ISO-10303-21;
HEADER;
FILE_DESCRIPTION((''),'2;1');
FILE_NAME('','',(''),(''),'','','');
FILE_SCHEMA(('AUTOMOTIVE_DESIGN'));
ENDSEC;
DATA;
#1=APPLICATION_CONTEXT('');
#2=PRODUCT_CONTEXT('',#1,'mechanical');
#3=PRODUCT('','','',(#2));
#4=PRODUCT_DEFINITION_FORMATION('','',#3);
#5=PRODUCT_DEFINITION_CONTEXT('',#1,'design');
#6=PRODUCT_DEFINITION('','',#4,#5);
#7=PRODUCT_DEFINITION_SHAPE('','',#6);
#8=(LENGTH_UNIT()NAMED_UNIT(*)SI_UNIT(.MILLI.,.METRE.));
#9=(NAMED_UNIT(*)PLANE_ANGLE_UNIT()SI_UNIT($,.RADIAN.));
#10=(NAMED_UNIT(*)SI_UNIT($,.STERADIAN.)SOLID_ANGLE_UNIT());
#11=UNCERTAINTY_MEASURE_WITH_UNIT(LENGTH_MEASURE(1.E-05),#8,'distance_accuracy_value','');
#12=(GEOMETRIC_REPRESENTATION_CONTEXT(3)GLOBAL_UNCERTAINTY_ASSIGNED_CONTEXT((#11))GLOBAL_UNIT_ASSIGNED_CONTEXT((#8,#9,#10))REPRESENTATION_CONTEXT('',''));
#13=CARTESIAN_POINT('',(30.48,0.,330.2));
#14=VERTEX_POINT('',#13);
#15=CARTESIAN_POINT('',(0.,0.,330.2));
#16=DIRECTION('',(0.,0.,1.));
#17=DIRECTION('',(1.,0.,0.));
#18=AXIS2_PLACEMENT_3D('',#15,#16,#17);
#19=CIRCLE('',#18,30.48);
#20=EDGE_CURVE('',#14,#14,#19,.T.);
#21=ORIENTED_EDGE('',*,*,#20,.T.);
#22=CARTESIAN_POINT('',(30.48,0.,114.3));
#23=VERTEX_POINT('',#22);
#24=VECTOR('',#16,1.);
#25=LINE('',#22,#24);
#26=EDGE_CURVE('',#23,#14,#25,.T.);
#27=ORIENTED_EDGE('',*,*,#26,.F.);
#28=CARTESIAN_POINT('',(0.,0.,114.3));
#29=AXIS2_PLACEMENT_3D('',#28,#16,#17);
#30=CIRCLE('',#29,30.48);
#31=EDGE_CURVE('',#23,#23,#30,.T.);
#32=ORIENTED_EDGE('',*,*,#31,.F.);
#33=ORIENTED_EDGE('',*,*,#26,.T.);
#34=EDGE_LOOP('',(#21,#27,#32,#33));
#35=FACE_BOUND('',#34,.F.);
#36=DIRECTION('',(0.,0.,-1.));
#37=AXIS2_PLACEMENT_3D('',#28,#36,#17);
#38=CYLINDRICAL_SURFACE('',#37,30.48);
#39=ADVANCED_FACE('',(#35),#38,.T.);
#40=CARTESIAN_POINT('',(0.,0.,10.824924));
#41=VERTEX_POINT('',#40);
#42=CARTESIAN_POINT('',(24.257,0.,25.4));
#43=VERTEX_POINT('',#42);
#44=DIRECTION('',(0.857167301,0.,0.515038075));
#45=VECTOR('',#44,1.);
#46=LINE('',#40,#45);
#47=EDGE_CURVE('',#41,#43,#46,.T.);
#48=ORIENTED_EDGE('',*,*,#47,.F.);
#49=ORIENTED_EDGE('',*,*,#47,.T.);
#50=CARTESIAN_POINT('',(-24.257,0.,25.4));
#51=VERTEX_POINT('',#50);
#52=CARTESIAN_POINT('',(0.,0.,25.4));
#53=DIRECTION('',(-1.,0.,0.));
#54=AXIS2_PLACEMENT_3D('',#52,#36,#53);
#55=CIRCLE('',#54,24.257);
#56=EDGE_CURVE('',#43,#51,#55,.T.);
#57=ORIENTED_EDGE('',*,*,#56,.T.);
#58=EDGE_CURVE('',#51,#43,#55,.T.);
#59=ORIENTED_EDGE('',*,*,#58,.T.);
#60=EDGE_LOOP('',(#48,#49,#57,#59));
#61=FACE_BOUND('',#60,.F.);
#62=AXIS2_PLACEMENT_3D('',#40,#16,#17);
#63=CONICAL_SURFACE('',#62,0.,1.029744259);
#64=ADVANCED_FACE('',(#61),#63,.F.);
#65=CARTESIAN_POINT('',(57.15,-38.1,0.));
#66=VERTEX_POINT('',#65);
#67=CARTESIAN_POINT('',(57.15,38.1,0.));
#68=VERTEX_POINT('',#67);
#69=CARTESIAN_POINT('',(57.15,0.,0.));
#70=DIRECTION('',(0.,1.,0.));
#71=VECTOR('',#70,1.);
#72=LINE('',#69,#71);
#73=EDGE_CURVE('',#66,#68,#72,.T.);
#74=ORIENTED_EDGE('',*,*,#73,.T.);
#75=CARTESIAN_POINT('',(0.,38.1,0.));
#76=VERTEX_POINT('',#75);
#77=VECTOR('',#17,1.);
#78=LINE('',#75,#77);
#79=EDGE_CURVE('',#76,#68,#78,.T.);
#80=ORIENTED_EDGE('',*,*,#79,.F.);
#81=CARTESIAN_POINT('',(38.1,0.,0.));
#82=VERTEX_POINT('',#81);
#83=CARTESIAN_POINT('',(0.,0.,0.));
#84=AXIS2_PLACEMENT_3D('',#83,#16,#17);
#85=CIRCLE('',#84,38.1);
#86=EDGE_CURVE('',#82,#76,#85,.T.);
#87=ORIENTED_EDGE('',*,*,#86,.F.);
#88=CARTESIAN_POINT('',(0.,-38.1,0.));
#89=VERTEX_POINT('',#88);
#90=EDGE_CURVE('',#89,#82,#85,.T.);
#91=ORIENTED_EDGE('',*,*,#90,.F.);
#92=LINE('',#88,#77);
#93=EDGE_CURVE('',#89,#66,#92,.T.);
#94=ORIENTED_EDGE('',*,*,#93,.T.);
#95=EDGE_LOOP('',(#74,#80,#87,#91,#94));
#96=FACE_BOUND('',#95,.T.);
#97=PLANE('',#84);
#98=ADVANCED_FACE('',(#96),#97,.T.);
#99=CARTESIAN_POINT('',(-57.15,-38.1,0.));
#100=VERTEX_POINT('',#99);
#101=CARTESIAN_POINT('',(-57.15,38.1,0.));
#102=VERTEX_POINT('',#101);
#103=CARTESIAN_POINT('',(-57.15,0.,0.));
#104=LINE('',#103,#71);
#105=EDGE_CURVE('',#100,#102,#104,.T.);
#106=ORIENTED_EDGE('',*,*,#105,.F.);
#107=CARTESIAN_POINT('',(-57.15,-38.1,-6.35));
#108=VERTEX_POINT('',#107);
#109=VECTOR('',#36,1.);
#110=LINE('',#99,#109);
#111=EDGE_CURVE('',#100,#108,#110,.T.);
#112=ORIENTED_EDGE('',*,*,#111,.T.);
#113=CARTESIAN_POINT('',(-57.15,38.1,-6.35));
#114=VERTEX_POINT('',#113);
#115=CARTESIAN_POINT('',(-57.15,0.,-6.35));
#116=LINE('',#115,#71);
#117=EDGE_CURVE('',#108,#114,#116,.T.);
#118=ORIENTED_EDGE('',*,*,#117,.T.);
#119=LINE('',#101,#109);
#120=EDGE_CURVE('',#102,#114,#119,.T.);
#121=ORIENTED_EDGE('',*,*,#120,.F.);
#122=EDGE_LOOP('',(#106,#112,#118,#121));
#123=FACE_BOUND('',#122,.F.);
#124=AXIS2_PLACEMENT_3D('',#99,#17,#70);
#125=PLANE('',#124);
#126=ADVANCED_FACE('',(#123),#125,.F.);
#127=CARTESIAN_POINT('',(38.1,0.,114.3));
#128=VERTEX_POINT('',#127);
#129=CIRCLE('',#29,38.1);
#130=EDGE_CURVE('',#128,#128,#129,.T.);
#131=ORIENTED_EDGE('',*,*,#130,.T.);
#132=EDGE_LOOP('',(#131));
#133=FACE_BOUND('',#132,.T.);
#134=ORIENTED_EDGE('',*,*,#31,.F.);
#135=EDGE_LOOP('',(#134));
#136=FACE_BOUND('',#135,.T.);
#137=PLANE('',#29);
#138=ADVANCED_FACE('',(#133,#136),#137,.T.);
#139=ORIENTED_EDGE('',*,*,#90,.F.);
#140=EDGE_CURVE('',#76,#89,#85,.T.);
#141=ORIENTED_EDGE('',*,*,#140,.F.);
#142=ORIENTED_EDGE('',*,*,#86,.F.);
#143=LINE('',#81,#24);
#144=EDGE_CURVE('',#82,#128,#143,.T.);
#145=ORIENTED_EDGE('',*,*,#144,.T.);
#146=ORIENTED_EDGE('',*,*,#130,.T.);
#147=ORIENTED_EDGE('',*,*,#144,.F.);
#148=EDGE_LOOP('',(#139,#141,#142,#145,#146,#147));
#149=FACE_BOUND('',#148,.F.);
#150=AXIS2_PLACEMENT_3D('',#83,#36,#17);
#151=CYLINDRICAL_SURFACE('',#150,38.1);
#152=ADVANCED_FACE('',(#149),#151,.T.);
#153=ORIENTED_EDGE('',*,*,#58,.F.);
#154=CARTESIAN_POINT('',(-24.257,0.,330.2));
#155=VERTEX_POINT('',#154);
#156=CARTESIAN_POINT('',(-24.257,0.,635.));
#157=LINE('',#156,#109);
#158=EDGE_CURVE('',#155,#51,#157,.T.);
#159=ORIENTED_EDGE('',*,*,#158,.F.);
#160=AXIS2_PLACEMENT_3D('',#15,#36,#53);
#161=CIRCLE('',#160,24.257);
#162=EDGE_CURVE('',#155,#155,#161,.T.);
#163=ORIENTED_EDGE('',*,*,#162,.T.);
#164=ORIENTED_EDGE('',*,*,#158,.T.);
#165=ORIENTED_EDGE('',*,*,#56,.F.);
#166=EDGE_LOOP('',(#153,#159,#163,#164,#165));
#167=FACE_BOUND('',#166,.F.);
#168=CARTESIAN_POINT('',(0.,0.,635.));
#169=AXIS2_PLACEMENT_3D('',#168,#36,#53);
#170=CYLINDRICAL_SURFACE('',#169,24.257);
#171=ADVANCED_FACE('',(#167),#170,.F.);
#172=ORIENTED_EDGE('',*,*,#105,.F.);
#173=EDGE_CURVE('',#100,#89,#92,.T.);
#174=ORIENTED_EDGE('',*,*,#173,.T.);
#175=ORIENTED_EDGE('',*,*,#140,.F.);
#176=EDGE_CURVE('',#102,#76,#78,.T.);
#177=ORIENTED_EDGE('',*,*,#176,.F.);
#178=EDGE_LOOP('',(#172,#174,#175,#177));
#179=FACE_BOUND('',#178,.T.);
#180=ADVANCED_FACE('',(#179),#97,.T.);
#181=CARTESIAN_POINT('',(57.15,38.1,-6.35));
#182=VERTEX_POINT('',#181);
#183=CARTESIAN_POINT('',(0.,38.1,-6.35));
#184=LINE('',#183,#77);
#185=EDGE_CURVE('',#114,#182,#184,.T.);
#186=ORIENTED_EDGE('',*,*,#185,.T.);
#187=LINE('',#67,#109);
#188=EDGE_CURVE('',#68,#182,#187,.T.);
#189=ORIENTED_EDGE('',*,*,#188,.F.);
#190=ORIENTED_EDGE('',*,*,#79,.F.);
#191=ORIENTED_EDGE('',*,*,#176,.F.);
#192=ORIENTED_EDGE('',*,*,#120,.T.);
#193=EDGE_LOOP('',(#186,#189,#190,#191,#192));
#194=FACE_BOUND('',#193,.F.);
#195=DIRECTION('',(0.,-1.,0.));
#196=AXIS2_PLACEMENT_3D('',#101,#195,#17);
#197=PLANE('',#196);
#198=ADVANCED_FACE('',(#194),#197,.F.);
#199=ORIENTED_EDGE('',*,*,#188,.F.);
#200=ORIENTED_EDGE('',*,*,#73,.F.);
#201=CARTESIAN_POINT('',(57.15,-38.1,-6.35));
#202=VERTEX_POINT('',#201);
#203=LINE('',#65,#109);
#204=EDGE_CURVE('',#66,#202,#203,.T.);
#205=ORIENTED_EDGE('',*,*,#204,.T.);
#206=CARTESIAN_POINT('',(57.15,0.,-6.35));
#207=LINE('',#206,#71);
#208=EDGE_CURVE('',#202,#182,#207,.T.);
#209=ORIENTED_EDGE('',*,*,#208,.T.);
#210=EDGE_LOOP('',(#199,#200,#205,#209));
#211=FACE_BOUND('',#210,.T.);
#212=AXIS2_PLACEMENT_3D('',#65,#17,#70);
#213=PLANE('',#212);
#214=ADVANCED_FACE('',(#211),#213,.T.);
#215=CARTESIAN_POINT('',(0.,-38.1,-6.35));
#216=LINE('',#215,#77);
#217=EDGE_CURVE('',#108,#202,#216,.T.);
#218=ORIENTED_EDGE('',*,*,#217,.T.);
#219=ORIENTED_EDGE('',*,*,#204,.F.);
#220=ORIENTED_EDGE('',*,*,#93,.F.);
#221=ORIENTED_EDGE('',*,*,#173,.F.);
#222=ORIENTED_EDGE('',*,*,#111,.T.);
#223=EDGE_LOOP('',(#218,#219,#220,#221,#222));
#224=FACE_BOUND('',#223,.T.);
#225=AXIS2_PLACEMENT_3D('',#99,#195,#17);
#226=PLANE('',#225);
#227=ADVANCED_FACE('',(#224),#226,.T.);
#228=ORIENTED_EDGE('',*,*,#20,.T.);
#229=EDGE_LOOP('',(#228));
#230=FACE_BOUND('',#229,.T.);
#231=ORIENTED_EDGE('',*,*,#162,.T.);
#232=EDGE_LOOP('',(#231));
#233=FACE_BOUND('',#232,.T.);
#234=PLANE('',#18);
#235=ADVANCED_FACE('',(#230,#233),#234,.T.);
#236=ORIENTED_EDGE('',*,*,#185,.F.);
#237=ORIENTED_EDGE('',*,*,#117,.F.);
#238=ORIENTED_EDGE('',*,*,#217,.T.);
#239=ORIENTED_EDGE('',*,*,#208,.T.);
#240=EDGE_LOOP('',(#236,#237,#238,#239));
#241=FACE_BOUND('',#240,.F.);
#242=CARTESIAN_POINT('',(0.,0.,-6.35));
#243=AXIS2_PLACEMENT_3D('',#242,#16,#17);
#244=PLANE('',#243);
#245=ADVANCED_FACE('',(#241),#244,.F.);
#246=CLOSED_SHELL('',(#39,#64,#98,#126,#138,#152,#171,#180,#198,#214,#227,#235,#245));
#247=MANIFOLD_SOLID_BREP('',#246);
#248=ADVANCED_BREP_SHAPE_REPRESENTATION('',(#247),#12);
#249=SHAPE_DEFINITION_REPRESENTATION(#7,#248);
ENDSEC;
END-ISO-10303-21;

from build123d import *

# Parameters (mm, degrees)
F0_R     = 38.1
F1_DEPTH = 114.3
F2_R     = 30.48
F3_DEPTH = 215.9
F5_D     = 48.514
F5_DEPTH = 304.8
F5_TIP   = 14.5750760358
F6_W     = 114.3
F6_H     = 76.2
F7_DEPTH = 6.35


with BuildPart() as f1:
    # F0 (on Top) → F1 (new body)
    with BuildSketch(Plane.XY):
        Circle(F0_R)
    extrude(amount=F1_DEPTH)

    # F2 (on face) → F3 (join)
    with BuildSketch(Plane.XY.offset(114.3)):
        Circle(F2_R)
    extrude(amount=F3_DEPTH)

    # F5
    with Locations(Plane.XY.offset(330.2)):
        with Locations((0, 0)):
            Hole(F5_D / 2, depth=F5_DEPTH)
            with Locations((0, 0, -(F5_DEPTH + F5_TIP / 2))):  # 118° drill point
                Cone(0, F5_D / 2, F5_TIP, mode=Mode.SUBTRACT)

    # F6 (on Top) → F7 (join)
    with BuildSketch(Plane.XY):
        Rectangle(F6_W, F6_H)
    extrude(amount=-F7_DEPTH)


solid = f1.part
